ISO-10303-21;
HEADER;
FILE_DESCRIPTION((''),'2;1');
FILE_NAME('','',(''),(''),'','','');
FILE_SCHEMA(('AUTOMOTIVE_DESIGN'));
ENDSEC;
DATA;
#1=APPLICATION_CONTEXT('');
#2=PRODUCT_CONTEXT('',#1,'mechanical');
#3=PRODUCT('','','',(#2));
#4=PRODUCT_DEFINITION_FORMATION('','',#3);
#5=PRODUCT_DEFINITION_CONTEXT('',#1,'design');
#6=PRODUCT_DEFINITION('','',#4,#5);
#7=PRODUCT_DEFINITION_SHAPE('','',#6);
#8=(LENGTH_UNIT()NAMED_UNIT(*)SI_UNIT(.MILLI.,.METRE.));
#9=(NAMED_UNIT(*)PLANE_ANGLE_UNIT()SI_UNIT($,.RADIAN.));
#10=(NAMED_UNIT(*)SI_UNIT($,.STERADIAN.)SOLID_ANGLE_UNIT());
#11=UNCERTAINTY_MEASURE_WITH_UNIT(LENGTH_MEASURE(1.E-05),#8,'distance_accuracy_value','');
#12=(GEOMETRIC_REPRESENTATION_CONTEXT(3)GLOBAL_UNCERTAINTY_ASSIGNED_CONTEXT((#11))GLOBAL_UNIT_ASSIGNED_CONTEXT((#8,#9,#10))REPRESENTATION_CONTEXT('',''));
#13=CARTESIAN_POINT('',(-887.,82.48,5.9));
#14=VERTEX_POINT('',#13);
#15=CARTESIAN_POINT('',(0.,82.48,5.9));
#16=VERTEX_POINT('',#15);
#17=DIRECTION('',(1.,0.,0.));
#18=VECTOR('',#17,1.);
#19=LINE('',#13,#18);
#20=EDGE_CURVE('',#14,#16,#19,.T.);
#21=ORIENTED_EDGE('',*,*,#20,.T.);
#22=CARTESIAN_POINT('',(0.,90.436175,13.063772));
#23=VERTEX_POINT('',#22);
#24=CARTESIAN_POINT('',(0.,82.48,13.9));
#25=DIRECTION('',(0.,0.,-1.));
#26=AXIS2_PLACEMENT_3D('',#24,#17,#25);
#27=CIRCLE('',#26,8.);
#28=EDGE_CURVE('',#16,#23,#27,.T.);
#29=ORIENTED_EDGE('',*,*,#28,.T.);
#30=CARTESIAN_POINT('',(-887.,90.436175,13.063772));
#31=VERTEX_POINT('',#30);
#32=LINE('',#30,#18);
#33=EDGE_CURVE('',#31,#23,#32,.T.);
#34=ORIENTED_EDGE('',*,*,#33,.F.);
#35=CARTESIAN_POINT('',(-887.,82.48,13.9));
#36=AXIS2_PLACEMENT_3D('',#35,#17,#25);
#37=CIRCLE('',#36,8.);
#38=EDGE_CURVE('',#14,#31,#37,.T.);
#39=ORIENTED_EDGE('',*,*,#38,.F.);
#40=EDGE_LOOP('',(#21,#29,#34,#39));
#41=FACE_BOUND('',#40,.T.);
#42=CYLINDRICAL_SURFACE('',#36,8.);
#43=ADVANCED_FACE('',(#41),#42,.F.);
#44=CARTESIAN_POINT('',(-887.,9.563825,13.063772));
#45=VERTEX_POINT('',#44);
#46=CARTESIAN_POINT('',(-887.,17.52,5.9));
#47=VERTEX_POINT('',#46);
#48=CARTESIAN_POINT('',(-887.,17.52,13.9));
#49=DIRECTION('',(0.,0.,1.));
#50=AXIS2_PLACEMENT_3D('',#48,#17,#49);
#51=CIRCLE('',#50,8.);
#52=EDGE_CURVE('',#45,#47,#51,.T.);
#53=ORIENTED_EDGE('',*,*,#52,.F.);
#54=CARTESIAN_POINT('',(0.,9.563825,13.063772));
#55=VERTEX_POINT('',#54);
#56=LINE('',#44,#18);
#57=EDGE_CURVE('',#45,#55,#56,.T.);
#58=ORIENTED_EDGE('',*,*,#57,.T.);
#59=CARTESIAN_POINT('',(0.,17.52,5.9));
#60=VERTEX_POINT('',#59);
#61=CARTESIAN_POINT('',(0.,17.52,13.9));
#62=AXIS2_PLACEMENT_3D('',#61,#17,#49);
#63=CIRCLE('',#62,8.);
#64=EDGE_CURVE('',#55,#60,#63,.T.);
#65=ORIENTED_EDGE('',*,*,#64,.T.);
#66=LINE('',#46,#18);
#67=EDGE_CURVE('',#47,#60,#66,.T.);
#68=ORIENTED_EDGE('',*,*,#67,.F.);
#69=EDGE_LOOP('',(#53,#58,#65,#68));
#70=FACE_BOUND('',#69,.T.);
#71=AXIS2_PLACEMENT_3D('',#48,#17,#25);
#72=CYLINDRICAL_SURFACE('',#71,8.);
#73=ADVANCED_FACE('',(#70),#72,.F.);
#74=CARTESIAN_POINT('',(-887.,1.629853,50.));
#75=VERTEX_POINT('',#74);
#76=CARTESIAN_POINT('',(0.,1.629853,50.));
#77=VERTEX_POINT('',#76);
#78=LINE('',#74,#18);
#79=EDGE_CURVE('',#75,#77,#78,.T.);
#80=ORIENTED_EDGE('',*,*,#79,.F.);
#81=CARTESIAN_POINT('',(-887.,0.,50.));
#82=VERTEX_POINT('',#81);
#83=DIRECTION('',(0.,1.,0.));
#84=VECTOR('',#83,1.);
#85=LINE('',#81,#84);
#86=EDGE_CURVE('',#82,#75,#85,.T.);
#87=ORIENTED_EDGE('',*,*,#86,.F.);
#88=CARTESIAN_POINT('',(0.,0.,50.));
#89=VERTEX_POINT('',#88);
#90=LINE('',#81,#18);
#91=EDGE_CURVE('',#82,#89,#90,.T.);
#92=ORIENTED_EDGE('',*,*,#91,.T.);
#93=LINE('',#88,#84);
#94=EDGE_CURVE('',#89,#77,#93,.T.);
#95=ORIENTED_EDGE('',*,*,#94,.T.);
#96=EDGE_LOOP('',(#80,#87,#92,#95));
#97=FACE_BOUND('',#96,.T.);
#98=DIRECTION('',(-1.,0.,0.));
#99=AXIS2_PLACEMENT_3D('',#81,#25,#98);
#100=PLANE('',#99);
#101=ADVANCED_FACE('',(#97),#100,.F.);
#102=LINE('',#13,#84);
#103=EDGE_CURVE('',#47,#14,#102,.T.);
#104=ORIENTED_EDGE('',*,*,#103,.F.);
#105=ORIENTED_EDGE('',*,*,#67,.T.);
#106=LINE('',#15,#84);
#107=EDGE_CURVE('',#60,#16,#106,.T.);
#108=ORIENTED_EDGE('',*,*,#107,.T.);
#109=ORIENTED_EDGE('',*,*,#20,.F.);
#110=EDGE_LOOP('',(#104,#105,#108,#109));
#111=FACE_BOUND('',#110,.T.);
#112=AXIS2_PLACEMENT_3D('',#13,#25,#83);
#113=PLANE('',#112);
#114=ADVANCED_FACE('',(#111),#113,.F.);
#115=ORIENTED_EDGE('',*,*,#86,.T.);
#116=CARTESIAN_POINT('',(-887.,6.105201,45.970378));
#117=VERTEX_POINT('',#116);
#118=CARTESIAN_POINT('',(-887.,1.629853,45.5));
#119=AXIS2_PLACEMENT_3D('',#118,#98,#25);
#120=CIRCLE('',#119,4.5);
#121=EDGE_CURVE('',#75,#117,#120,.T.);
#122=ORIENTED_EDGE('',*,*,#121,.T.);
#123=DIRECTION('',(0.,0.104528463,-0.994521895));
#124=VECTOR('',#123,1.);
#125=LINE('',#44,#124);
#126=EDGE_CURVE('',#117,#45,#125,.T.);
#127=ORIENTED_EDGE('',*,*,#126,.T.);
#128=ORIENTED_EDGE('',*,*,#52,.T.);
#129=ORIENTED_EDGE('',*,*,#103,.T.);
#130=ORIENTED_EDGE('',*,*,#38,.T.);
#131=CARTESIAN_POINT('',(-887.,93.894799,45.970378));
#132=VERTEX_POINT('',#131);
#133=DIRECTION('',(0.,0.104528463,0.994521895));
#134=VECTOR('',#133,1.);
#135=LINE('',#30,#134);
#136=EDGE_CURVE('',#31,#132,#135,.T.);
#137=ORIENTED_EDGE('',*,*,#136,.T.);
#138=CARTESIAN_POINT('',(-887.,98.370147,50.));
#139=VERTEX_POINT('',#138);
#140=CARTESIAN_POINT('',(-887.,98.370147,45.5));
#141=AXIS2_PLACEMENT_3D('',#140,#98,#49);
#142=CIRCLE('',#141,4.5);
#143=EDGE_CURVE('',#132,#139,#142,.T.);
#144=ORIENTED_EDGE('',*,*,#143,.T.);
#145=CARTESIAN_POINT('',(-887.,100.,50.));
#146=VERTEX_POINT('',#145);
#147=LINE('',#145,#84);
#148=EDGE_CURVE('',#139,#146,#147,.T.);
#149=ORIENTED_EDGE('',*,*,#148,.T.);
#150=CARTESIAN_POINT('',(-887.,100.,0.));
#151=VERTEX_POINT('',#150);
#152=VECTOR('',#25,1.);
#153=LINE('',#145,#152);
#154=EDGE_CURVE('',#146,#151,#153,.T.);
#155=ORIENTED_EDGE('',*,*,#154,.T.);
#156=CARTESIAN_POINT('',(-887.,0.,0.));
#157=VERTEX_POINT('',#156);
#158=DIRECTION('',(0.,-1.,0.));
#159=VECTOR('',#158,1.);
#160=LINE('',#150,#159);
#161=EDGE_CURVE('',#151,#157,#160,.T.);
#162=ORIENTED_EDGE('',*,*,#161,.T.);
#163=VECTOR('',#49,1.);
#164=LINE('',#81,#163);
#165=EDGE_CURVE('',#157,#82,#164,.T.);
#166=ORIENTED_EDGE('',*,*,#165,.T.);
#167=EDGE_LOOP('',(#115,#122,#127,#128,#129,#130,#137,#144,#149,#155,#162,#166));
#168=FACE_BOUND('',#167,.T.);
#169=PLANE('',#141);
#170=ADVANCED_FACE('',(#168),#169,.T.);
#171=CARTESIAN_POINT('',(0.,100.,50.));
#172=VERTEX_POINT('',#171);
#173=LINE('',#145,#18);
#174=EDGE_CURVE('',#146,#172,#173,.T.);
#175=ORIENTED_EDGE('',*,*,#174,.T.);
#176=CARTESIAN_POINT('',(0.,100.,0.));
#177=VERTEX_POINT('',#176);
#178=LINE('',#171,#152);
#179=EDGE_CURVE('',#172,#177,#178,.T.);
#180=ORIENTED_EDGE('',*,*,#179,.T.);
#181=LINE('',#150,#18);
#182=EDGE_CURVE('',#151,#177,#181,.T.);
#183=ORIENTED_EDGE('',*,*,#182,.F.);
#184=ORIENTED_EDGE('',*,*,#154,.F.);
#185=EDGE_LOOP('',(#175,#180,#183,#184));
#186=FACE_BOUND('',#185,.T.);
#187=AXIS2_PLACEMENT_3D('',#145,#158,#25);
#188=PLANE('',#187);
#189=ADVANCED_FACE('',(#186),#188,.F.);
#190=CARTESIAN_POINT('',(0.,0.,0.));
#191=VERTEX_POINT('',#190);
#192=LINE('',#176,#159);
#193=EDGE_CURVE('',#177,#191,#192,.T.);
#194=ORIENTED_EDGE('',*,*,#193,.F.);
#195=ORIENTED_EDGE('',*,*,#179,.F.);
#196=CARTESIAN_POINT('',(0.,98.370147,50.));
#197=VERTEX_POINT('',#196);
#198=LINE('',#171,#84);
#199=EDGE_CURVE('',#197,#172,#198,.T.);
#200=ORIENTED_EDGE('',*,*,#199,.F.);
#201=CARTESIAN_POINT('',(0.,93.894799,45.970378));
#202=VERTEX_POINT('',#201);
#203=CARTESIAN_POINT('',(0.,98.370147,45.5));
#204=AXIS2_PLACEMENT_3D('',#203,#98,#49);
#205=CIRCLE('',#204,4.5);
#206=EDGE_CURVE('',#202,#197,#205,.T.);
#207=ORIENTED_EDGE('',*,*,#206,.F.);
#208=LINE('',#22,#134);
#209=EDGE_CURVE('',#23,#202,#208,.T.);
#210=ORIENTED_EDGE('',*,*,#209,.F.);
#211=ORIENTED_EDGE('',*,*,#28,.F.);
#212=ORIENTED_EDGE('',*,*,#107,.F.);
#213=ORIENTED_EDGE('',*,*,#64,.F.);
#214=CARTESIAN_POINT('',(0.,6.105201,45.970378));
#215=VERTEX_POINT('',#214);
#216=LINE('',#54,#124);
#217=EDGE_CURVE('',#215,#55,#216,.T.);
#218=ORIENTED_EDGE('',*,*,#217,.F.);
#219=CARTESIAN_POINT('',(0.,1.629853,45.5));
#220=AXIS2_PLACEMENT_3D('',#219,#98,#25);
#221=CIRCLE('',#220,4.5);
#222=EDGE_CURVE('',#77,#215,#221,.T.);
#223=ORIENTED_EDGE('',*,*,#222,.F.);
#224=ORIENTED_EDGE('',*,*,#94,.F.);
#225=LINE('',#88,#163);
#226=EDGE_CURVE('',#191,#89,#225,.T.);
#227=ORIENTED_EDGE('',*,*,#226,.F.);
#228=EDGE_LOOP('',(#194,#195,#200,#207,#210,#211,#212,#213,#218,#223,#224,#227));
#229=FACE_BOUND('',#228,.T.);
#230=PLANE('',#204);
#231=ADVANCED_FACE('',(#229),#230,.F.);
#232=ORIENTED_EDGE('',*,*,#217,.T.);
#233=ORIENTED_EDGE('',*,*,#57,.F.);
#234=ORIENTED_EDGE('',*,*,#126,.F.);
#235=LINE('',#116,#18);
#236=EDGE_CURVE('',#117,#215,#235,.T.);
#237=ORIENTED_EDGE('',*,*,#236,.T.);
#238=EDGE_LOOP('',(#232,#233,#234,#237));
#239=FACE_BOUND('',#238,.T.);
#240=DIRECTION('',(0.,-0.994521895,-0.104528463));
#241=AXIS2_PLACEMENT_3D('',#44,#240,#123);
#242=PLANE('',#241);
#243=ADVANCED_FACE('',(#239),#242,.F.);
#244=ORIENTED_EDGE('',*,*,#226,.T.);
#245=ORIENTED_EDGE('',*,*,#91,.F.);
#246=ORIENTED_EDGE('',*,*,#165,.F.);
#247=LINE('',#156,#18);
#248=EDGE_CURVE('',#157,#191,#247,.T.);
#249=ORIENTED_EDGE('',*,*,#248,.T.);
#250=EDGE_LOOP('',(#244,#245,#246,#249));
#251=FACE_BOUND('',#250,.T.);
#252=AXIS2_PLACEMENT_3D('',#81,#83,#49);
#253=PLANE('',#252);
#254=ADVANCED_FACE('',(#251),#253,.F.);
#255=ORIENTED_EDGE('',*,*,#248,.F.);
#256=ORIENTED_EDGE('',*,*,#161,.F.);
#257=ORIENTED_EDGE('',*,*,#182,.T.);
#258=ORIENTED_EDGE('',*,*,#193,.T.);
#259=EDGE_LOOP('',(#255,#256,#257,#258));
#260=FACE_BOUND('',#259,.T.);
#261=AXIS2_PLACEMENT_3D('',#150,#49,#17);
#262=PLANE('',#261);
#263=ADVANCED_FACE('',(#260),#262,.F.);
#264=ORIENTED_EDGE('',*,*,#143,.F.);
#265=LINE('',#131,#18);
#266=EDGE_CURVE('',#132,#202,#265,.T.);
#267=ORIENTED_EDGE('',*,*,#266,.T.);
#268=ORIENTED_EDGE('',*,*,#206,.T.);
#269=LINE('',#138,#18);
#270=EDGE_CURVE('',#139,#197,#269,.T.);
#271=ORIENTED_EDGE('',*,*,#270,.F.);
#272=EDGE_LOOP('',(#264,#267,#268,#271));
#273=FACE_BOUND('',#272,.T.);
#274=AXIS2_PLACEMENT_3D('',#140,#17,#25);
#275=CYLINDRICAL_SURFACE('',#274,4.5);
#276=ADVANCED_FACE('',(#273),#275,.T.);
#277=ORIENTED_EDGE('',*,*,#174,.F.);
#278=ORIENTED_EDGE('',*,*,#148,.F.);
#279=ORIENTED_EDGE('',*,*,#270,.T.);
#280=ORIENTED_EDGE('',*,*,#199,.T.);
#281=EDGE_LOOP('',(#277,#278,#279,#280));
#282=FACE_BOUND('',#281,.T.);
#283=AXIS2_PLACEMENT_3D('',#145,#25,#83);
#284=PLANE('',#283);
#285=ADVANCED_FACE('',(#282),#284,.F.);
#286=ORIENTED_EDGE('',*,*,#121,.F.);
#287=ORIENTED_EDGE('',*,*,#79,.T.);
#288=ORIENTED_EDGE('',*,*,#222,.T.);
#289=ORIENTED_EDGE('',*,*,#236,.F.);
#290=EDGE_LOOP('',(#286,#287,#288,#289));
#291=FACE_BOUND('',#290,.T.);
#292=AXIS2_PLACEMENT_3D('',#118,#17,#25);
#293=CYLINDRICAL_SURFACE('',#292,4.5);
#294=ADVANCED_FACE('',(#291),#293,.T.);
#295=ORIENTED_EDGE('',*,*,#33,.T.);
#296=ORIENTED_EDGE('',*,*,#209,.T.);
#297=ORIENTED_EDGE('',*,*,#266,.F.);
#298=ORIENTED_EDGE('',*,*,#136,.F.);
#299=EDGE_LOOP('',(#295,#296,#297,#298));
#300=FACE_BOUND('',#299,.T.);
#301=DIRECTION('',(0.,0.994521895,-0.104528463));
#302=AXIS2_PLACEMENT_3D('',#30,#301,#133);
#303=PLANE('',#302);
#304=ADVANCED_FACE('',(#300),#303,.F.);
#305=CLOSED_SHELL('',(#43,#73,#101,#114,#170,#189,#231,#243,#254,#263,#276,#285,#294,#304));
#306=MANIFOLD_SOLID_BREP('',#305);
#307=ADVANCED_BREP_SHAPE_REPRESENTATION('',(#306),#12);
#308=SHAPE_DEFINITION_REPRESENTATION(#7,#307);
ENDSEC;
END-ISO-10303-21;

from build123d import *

# Parameters (mm, degrees)
C_CHANNEL_100_X_10_1_DEPTH = 887


with BuildPart() as part:
    # Sketch13 → C channel 100 X 10(1) (new body)
    with BuildSketch(Plane.ZY):
        with BuildLine():
            Line((50, 100), (0, 100))
            Line((0, 100), (0, 0))
            Line((0, 0), (50, 0))
            Line((50, 0), (50, 1.629852671))
            ThreePointArc((50, 1.629852671), (48.844151715, 4.6409404), (45.970378085, 6.1052012))
            Line((45.970378085, 6.1052012), (13.063772294, 9.563824837))
            ThreePointArc((13.063772294, 9.563824837), (7.954841396, 12.166955149), (5.9, 17.52))
            Line((5.9, 17.52), (5.9, 82.48))
            ThreePointArc((5.9, 82.48), (7.954841396, 87.833044851), (13.063772294, 90.436175163))
            Line((13.063772294, 90.436175163), (45.970378085, 93.8947988))
            ThreePointArc((45.970378085, 93.8947988), (48.844151715, 95.3590596), (50, 98.370147329))
            Line((50, 98.370147329), (50, 100))
        make_face()
    extrude(amount=C_CHANNEL_100_X_10_1_DEPTH)


solid = part.part
